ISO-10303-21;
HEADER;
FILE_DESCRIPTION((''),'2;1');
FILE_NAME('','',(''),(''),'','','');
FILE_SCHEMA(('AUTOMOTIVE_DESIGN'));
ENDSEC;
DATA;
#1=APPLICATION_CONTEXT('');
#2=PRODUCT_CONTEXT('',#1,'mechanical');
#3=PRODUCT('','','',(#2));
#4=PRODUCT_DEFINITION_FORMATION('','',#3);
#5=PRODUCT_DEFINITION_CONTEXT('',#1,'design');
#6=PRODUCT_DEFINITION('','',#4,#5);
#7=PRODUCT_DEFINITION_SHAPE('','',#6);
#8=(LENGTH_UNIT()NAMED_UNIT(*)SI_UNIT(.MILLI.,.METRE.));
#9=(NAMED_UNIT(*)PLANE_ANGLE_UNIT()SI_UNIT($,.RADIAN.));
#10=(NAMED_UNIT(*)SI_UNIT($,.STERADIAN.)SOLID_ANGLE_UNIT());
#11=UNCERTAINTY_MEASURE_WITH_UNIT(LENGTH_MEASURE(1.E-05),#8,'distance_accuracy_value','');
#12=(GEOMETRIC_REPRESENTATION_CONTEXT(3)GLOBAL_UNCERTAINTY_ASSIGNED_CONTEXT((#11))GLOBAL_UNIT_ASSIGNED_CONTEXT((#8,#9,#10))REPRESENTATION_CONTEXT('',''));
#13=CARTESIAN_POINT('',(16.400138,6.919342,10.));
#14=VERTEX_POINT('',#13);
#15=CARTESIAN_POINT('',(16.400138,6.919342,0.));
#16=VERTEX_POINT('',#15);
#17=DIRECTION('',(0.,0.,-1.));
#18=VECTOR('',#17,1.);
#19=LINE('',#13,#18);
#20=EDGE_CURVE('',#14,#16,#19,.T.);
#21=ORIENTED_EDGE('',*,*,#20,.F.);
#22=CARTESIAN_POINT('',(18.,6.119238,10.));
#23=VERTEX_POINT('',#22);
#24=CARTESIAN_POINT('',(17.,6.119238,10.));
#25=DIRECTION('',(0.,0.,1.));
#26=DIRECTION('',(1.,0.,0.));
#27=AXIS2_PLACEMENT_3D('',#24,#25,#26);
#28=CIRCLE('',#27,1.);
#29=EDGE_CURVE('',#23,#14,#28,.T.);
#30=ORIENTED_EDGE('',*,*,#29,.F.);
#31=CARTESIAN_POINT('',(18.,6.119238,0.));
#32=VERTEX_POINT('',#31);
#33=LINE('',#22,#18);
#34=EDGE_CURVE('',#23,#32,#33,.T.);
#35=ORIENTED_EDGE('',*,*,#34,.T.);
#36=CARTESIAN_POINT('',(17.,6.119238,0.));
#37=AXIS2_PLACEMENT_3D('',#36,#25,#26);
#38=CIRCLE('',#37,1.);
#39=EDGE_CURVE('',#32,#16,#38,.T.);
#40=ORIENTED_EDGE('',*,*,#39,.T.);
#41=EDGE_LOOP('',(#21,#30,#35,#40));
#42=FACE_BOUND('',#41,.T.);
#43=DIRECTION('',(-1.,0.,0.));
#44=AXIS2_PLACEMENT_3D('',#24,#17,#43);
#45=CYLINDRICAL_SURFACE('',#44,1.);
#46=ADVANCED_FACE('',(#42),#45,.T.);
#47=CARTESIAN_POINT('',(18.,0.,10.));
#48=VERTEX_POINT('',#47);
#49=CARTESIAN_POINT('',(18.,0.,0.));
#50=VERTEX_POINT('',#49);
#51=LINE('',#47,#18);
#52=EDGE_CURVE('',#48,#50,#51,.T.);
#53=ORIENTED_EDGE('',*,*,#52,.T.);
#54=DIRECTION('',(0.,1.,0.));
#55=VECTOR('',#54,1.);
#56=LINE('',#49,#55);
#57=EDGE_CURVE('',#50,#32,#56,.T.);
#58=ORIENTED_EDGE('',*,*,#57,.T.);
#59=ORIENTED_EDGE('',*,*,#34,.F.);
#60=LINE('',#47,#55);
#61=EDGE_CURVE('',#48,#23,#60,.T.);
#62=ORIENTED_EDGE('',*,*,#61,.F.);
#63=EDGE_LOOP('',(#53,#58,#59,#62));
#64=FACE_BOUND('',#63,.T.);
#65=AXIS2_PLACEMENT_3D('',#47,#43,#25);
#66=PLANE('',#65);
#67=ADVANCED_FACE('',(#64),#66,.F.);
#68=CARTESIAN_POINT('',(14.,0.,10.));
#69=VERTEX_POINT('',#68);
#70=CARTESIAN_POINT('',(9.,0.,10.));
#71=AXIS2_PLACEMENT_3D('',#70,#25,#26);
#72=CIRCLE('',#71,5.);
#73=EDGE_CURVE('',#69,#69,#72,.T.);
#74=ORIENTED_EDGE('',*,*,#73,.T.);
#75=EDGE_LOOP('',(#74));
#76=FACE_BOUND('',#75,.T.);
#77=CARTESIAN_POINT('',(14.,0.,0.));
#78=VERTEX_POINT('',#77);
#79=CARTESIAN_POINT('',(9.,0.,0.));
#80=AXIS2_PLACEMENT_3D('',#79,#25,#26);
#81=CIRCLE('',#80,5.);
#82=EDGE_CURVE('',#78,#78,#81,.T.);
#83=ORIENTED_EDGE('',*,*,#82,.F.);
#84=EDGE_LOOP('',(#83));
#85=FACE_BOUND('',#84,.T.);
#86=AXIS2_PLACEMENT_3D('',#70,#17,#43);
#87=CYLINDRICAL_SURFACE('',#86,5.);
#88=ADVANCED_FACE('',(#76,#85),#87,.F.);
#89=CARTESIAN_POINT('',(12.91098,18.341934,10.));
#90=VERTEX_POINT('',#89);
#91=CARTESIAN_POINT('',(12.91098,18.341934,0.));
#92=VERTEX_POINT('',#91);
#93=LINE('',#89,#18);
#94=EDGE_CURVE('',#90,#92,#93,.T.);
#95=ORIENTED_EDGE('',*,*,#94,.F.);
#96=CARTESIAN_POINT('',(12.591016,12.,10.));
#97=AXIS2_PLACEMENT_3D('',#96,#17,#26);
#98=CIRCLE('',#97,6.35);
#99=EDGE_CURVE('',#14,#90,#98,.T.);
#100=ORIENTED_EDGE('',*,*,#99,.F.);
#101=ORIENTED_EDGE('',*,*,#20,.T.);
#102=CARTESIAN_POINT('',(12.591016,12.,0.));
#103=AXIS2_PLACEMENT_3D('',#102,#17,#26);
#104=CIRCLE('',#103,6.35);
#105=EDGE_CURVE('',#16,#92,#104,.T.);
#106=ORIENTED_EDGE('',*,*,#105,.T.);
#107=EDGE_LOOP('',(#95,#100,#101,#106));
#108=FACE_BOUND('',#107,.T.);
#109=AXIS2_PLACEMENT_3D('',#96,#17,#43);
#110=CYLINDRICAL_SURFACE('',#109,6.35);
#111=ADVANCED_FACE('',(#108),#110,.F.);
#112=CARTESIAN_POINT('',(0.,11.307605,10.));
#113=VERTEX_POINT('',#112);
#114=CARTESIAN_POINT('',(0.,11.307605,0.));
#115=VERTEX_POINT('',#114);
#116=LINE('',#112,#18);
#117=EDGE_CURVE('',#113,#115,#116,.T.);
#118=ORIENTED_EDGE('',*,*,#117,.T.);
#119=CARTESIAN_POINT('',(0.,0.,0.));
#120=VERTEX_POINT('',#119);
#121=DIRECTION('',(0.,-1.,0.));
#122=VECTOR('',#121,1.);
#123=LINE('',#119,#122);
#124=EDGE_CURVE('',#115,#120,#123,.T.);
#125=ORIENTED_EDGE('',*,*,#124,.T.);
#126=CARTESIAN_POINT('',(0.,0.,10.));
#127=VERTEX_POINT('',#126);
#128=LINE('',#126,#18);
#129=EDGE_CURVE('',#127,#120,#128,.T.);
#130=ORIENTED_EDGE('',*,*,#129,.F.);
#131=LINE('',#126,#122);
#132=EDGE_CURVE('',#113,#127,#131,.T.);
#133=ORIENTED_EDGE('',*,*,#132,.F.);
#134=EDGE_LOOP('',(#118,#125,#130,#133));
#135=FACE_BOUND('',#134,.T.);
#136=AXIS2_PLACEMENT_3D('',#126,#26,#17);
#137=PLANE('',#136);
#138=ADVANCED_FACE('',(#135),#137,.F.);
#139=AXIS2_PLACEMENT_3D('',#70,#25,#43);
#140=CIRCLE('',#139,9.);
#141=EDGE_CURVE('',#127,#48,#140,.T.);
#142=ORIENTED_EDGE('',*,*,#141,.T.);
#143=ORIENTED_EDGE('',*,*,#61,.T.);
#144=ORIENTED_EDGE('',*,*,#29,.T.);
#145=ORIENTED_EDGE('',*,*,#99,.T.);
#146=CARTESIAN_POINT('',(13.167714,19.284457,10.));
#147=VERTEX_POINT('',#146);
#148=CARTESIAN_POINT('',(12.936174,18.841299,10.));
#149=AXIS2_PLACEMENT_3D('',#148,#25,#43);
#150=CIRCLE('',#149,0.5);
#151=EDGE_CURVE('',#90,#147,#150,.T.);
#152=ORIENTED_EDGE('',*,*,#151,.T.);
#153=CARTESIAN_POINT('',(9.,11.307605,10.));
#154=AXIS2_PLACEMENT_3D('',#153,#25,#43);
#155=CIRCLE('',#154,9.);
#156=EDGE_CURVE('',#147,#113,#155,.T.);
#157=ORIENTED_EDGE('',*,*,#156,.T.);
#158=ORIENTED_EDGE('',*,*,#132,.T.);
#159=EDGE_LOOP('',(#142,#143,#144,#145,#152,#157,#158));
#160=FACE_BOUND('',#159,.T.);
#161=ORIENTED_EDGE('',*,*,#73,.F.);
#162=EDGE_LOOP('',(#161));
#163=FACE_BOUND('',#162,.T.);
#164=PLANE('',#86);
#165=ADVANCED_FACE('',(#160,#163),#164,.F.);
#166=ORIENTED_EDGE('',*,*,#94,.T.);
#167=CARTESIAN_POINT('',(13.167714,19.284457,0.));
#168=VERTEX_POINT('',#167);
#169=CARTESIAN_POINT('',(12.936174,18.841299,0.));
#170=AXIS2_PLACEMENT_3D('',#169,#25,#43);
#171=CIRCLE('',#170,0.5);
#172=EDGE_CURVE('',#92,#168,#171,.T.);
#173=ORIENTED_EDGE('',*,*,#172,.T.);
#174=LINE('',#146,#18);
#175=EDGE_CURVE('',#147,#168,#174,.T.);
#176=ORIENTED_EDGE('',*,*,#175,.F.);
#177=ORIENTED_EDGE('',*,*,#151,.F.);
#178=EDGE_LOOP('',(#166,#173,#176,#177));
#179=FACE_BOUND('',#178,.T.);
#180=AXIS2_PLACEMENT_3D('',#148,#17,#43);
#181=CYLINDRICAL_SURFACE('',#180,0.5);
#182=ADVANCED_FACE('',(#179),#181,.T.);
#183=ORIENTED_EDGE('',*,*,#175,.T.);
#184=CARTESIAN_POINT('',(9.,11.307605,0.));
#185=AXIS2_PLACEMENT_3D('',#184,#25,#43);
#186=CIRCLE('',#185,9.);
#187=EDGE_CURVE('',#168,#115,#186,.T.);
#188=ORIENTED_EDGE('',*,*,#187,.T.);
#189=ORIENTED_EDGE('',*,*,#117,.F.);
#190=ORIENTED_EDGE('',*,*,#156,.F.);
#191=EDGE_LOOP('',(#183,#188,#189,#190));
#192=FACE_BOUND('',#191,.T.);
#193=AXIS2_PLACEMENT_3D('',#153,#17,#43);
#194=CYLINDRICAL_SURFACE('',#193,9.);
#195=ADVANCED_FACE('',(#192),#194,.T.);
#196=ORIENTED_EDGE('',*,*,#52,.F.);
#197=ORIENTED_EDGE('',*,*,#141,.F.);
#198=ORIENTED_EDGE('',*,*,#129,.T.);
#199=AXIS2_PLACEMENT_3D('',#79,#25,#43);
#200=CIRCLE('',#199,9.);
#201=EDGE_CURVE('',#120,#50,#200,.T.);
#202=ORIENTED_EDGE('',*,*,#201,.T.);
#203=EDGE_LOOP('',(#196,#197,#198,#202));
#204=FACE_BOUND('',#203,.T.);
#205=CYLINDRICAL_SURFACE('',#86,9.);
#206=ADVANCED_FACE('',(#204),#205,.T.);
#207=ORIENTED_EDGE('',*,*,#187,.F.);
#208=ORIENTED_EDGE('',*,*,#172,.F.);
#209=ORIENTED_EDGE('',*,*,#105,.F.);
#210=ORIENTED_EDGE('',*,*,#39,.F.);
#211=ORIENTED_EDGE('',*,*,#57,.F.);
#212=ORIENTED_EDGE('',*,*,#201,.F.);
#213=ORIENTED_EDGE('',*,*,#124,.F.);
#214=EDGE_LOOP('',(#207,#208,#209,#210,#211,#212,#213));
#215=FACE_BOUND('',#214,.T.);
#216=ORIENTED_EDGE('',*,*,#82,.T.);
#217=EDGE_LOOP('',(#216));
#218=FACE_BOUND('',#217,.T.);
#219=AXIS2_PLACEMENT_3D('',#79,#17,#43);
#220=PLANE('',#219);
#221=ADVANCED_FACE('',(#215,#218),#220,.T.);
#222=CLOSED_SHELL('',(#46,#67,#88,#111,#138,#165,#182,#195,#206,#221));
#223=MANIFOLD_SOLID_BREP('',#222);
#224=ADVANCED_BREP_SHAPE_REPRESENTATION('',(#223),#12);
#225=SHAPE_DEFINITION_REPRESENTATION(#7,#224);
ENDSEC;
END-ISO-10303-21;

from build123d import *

# Parameters (mm, degrees)
SKETCH1_R           = 5
BOSS_EXTRUDE1_DEPTH = 10


with BuildPart() as part:
    # Sketch1 → Boss-Extrude1 (new body)
    with BuildSketch(Plane.XY):
        with BuildLine():
            Line((0, 0), (0, 11.307605315))
            ThreePointArc((0, 11.307605315), (4.336815627, 19.005313513), (13.167713668, 19.284456998))
            ThreePointArc((13.167713668, 19.284456998), (13.418597245, 18.70989145), (12.910980025, 18.341933712))
            ThreePointArc((12.910980025, 18.341933712), (6.518023633, 10.144936613), (16.400138271, 6.919341603))
            ThreePointArc((16.400138271, 6.919341603), (17.447290885, 7.013626461), (18, 6.119237918))
            Line((18, 6.119237918), (18, 0))
            ThreePointArc((18, 0), (9, -9), (0, 0))
        make_face()
        with Locations((9, 0)):
            Circle(SKETCH1_R, mode=Mode.SUBTRACT)
    extrude(amount=BOSS_EXTRUDE1_DEPTH)


solid = part.part
